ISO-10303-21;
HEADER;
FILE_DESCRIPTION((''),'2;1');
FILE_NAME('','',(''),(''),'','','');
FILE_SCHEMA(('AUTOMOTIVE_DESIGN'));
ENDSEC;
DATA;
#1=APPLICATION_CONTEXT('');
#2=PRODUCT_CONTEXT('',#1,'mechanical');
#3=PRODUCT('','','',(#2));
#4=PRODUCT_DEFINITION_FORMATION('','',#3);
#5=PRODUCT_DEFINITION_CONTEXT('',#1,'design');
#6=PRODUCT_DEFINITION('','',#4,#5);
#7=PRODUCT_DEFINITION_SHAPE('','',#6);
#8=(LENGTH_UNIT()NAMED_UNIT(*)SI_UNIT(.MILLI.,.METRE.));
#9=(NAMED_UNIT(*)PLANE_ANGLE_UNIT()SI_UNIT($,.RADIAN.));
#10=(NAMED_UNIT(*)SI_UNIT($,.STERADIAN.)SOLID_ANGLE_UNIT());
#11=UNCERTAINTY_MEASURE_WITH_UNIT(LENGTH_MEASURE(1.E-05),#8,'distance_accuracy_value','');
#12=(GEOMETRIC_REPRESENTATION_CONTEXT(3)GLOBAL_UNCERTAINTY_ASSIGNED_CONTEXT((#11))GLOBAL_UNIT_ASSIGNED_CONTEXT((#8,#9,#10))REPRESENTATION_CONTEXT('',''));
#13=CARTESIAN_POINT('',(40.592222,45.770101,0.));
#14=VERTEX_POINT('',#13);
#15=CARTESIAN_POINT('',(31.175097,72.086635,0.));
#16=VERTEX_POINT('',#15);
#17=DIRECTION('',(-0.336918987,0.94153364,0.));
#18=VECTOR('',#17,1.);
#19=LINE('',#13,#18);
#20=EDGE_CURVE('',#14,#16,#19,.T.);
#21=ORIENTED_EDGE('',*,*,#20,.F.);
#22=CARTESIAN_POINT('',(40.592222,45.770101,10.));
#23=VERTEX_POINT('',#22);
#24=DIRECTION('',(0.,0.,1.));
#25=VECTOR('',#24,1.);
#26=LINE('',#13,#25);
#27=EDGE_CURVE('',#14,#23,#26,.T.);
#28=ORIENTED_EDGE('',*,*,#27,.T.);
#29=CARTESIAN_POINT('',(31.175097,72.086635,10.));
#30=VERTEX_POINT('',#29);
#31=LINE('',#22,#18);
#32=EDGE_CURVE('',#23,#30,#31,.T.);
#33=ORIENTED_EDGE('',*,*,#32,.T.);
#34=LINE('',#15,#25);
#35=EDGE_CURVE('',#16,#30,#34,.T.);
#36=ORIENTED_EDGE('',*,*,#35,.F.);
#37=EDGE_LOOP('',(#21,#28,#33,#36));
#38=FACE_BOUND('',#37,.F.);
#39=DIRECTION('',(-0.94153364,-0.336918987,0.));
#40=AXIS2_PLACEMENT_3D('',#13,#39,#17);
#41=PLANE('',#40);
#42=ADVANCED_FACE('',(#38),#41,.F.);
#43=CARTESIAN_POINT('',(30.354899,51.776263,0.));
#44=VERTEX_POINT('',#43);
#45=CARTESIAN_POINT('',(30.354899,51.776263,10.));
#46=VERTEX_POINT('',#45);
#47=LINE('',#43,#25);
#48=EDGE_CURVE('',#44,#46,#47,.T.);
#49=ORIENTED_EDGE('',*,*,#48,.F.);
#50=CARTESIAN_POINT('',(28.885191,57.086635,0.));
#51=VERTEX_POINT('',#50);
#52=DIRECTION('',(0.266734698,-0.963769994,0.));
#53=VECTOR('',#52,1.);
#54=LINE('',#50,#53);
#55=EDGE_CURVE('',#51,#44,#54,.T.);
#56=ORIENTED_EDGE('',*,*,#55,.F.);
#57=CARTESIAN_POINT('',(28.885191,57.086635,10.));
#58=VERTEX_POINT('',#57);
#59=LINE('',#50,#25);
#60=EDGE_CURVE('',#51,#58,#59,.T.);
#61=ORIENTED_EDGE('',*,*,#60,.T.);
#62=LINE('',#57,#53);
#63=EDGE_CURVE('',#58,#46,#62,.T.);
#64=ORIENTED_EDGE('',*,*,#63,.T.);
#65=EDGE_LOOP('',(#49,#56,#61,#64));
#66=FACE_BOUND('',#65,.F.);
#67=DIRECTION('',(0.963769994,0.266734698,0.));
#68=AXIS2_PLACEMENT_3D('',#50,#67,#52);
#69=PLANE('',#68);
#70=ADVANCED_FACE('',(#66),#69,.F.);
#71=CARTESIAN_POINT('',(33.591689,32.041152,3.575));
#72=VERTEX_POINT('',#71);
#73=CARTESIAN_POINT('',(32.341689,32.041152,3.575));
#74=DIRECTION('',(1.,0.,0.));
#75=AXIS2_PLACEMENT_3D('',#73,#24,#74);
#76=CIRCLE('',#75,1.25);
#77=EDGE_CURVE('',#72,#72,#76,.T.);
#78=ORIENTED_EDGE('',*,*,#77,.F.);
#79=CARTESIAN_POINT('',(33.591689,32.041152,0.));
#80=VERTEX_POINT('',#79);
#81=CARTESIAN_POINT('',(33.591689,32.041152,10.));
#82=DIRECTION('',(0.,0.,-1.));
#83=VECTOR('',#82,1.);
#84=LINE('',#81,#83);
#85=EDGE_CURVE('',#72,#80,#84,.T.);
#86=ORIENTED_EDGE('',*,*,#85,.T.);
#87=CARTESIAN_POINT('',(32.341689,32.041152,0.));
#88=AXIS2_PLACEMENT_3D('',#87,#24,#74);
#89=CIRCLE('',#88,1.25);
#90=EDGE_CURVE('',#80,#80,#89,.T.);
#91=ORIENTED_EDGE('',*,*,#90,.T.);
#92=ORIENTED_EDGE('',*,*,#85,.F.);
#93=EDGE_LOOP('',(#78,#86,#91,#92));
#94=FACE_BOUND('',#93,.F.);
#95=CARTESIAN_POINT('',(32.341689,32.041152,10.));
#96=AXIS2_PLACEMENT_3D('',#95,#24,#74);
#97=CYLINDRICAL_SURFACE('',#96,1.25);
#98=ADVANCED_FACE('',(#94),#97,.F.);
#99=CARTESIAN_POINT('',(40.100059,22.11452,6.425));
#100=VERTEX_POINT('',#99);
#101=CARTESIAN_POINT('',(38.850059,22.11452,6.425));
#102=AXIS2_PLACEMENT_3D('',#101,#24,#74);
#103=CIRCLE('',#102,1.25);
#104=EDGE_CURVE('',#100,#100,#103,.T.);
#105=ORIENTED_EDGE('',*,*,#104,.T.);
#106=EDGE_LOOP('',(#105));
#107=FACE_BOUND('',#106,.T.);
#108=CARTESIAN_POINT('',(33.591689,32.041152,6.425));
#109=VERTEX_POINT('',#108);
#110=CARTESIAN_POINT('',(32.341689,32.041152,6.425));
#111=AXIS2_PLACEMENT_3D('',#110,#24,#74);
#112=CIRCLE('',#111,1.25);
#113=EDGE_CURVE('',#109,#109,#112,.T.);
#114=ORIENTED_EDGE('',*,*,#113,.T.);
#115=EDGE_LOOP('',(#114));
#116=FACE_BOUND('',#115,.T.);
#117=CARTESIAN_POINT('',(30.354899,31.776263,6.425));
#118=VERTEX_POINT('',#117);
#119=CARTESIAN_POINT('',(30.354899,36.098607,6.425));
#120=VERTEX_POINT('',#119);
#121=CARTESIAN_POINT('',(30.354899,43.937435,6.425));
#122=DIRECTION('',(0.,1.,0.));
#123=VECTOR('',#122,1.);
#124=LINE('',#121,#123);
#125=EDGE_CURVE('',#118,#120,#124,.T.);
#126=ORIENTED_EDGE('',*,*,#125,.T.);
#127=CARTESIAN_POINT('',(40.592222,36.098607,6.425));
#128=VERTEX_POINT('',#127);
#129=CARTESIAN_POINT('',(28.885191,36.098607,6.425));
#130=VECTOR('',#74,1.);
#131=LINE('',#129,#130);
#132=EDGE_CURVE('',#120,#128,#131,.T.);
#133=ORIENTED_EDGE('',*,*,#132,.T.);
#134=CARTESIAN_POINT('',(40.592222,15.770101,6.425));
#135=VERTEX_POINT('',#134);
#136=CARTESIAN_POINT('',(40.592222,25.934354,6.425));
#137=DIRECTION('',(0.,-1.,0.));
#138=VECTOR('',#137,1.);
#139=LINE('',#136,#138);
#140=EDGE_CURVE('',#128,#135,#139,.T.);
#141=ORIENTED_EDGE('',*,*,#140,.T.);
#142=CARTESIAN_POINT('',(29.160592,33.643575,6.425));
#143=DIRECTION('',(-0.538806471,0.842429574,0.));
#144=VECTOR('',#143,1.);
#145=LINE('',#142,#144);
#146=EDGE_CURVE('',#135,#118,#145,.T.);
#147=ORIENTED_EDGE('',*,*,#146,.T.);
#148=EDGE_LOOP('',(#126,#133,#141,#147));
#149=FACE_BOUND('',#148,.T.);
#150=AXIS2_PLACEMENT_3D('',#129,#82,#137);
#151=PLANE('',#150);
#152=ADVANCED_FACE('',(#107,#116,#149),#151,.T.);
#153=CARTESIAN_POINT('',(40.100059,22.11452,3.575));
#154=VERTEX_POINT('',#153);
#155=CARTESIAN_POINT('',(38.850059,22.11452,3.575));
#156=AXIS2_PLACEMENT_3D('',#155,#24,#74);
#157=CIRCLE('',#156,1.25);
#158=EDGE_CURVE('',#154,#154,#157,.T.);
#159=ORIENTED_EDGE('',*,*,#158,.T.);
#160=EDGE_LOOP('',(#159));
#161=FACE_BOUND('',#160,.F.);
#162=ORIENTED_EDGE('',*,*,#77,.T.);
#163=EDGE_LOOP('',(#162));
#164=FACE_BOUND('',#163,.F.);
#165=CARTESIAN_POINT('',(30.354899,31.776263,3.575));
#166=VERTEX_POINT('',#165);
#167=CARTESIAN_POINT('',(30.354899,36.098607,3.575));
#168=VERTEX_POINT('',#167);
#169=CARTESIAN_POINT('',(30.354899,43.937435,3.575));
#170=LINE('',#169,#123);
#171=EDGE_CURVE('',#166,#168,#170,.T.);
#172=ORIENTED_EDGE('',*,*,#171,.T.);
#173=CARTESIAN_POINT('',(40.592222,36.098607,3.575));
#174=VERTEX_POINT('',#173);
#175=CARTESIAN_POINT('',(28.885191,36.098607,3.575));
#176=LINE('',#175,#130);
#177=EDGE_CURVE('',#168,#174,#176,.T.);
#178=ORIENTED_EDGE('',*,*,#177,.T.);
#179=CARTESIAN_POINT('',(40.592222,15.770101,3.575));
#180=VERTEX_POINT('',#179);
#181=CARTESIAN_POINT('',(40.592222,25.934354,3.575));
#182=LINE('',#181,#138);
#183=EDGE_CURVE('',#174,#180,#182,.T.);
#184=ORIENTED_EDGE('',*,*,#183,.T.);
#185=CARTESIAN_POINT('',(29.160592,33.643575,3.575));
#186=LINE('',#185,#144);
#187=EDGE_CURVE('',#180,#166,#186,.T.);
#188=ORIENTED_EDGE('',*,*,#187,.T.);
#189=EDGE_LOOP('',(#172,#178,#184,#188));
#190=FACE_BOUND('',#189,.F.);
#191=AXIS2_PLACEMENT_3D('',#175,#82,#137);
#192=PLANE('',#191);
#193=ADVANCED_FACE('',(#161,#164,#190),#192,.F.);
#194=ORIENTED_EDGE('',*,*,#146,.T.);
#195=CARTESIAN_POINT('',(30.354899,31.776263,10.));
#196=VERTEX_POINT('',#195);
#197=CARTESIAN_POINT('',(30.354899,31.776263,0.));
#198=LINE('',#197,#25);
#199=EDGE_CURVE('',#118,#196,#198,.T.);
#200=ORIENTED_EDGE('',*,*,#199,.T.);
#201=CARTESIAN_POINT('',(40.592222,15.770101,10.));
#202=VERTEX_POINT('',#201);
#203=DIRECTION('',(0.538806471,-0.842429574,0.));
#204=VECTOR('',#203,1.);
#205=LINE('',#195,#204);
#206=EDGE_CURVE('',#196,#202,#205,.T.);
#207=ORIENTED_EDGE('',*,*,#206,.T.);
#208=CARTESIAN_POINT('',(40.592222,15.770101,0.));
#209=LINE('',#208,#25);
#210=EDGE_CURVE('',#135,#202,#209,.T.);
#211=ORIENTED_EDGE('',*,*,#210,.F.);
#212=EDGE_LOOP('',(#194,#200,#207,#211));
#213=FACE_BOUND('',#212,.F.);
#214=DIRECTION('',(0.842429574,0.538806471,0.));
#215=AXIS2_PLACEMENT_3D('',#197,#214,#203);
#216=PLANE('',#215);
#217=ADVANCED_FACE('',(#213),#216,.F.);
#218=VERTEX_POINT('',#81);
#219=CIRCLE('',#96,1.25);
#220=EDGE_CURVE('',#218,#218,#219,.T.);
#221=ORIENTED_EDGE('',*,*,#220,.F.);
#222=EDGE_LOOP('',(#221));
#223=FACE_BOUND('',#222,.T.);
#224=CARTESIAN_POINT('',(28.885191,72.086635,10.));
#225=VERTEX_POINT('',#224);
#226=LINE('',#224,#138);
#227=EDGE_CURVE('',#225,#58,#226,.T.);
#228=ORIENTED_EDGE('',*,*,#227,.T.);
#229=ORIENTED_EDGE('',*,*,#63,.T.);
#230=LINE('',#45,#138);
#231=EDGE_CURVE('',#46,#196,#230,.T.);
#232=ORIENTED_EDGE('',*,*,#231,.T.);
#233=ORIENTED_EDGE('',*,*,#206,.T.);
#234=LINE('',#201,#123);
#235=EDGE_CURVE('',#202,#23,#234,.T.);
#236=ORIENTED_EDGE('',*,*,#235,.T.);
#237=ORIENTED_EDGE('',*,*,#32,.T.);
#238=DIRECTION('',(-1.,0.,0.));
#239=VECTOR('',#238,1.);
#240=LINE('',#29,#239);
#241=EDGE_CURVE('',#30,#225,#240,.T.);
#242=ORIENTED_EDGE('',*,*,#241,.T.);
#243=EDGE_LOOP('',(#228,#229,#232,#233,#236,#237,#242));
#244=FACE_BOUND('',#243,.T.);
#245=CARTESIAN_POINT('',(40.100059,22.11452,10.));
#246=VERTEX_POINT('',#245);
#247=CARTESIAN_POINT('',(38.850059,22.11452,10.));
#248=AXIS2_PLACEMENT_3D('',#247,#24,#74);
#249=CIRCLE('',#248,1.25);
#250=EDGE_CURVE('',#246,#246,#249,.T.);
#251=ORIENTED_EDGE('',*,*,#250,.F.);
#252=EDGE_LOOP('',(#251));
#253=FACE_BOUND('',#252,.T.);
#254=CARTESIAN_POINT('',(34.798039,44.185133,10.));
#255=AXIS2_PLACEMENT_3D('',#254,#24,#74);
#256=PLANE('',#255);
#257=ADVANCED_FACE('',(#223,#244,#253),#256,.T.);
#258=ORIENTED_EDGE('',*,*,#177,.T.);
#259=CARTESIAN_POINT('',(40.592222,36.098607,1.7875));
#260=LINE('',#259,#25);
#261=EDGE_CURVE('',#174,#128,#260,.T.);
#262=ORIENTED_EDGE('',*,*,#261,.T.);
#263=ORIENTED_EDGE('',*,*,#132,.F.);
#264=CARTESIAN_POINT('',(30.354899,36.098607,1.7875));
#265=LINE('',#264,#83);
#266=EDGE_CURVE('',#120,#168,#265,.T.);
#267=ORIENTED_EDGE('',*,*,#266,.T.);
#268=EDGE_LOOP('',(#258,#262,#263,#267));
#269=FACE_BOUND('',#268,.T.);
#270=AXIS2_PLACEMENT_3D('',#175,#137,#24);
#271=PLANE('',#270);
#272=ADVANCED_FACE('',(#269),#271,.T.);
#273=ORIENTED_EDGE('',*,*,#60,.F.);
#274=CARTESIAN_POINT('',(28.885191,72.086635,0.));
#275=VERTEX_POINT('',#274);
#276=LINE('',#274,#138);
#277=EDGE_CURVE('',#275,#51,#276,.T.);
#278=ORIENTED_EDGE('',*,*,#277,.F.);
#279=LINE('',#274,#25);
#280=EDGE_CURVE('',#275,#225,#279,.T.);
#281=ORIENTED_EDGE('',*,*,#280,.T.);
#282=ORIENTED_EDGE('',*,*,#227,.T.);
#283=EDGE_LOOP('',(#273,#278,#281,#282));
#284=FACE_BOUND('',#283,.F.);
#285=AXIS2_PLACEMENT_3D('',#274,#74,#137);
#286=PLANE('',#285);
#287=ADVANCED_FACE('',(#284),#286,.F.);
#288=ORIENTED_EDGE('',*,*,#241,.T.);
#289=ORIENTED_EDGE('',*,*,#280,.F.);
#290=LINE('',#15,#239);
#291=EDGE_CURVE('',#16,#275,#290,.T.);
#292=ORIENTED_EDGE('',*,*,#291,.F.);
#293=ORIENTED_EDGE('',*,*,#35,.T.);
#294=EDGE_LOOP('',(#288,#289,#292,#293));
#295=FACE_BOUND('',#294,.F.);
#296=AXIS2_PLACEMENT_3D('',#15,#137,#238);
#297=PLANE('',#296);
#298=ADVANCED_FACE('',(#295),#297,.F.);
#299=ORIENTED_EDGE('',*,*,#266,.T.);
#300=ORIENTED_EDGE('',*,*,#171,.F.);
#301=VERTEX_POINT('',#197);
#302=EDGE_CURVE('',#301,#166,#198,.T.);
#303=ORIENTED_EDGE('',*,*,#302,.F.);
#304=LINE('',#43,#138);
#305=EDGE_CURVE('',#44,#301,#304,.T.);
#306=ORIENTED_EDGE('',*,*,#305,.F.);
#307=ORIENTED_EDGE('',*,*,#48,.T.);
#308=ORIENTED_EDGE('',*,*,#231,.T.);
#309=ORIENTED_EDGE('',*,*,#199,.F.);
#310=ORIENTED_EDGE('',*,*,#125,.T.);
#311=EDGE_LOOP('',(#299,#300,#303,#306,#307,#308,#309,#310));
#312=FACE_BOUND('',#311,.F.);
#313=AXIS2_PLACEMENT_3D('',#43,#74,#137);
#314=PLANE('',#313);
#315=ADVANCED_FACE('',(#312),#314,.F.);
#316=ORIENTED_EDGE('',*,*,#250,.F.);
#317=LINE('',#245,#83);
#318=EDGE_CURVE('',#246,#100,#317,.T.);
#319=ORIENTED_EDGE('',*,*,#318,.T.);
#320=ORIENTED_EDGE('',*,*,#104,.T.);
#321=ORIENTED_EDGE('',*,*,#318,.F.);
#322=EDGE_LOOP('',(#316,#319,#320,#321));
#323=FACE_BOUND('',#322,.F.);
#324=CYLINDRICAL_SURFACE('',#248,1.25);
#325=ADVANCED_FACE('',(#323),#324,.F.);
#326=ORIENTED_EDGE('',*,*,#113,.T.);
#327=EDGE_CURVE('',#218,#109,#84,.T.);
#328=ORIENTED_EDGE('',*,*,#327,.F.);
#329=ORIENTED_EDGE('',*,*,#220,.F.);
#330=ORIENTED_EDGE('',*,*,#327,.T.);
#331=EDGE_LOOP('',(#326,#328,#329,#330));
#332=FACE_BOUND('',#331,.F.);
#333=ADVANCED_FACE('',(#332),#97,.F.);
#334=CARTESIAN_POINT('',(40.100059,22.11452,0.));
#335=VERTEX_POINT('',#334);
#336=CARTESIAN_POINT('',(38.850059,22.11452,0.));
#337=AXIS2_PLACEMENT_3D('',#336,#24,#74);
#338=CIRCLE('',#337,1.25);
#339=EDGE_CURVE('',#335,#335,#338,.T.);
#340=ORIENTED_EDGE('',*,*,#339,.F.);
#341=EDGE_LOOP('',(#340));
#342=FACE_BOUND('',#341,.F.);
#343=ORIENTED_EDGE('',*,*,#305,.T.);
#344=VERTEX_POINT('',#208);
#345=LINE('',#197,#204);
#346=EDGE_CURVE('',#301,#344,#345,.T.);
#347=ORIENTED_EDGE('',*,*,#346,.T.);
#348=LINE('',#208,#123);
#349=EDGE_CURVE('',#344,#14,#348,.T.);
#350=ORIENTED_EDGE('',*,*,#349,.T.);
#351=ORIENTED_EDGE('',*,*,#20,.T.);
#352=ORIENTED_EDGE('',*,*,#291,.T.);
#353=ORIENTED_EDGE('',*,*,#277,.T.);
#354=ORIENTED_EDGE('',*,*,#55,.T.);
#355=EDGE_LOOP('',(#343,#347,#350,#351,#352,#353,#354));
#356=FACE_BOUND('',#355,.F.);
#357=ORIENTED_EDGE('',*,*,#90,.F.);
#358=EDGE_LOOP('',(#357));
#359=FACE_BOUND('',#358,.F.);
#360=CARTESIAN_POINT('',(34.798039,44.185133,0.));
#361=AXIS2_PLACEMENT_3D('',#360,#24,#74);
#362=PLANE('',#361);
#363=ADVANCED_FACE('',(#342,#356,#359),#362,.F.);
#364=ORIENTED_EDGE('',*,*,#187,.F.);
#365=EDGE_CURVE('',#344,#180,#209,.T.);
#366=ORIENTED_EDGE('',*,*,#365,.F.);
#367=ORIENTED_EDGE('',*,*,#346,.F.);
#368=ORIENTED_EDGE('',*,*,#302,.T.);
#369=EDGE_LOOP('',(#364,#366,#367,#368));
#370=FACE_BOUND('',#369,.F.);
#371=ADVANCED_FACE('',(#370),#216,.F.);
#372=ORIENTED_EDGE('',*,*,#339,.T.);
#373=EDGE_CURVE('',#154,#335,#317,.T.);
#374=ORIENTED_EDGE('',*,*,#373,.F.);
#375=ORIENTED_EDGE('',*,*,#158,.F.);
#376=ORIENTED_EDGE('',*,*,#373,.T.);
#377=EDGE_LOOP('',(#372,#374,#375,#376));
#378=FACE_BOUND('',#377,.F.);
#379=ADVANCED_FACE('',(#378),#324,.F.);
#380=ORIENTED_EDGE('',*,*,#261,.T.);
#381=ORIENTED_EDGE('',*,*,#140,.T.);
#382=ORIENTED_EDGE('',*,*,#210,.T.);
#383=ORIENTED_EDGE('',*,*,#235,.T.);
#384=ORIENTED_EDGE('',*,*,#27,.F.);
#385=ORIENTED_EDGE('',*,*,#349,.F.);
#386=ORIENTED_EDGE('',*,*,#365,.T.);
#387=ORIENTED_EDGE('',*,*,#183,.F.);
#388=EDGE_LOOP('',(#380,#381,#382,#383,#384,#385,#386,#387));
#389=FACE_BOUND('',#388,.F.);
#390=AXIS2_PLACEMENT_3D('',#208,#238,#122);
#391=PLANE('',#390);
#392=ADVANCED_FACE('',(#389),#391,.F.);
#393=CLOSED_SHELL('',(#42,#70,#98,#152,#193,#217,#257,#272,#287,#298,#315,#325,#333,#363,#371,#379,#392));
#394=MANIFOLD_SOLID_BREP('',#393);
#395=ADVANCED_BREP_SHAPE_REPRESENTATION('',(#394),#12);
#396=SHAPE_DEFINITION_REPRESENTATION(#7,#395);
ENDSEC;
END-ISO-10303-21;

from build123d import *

# Parameters (mm, degrees)
SKETCH002_R      = 1.25
EXTRUDE002_DEPTH = 10
SKETCH001_W      = 21
SKETCH001_H      = 2.85
EXTRUDE001_DEPTH = 12
EXTRUDE_DEPTH    = 10


with BuildPart() as extrude002:
    # Sketch002 (on Face5 of Cut) → Extrude002 (new body)
    with BuildSketch(Plane.XY.offset(10)):
        with Locations((32.341689, 32.041152)):
            Circle(SKETCH002_R)
        with Locations((38.850059, 22.11452)):
            Circle(SKETCH002_R)
    extrude(amount=-EXTRUDE002_DEPTH)


with BuildPart() as extrude001:
    # Sketch001 (on Face1 of Extrude) → Extrude001 (new body)
    with BuildSketch(Plane(origin=(28.885191, 0, 0), x_dir=(0, -1, 0), z_dir=(-1, 0, 0))):
        with Locations((-25.598607, 5)):
            Rectangle(SKETCH001_W, SKETCH001_H)
    extrude(amount=-EXTRUDE001_DEPTH)


with BuildPart() as cut001:
    # Sketch → Extrude (new body)
    with BuildSketch(Plane.XY):
        Polygon((30.354899, 31.776263), (40.592222, 15.770101), (40.592222, 45.770101), (31.175097, 72.086635), (28.885191, 72.086635), (28.885191, 57.086635), (30.354899, 51.776263), align=None)
    extrude(amount=EXTRUDE_DEPTH)

    # Cut: cut Extrude001
    add(extrude001.part, mode=Mode.SUBTRACT)

    # Cut001: cut Extrude002
    add(extrude002.part, mode=Mode.SUBTRACT)


solid = cut001.part
